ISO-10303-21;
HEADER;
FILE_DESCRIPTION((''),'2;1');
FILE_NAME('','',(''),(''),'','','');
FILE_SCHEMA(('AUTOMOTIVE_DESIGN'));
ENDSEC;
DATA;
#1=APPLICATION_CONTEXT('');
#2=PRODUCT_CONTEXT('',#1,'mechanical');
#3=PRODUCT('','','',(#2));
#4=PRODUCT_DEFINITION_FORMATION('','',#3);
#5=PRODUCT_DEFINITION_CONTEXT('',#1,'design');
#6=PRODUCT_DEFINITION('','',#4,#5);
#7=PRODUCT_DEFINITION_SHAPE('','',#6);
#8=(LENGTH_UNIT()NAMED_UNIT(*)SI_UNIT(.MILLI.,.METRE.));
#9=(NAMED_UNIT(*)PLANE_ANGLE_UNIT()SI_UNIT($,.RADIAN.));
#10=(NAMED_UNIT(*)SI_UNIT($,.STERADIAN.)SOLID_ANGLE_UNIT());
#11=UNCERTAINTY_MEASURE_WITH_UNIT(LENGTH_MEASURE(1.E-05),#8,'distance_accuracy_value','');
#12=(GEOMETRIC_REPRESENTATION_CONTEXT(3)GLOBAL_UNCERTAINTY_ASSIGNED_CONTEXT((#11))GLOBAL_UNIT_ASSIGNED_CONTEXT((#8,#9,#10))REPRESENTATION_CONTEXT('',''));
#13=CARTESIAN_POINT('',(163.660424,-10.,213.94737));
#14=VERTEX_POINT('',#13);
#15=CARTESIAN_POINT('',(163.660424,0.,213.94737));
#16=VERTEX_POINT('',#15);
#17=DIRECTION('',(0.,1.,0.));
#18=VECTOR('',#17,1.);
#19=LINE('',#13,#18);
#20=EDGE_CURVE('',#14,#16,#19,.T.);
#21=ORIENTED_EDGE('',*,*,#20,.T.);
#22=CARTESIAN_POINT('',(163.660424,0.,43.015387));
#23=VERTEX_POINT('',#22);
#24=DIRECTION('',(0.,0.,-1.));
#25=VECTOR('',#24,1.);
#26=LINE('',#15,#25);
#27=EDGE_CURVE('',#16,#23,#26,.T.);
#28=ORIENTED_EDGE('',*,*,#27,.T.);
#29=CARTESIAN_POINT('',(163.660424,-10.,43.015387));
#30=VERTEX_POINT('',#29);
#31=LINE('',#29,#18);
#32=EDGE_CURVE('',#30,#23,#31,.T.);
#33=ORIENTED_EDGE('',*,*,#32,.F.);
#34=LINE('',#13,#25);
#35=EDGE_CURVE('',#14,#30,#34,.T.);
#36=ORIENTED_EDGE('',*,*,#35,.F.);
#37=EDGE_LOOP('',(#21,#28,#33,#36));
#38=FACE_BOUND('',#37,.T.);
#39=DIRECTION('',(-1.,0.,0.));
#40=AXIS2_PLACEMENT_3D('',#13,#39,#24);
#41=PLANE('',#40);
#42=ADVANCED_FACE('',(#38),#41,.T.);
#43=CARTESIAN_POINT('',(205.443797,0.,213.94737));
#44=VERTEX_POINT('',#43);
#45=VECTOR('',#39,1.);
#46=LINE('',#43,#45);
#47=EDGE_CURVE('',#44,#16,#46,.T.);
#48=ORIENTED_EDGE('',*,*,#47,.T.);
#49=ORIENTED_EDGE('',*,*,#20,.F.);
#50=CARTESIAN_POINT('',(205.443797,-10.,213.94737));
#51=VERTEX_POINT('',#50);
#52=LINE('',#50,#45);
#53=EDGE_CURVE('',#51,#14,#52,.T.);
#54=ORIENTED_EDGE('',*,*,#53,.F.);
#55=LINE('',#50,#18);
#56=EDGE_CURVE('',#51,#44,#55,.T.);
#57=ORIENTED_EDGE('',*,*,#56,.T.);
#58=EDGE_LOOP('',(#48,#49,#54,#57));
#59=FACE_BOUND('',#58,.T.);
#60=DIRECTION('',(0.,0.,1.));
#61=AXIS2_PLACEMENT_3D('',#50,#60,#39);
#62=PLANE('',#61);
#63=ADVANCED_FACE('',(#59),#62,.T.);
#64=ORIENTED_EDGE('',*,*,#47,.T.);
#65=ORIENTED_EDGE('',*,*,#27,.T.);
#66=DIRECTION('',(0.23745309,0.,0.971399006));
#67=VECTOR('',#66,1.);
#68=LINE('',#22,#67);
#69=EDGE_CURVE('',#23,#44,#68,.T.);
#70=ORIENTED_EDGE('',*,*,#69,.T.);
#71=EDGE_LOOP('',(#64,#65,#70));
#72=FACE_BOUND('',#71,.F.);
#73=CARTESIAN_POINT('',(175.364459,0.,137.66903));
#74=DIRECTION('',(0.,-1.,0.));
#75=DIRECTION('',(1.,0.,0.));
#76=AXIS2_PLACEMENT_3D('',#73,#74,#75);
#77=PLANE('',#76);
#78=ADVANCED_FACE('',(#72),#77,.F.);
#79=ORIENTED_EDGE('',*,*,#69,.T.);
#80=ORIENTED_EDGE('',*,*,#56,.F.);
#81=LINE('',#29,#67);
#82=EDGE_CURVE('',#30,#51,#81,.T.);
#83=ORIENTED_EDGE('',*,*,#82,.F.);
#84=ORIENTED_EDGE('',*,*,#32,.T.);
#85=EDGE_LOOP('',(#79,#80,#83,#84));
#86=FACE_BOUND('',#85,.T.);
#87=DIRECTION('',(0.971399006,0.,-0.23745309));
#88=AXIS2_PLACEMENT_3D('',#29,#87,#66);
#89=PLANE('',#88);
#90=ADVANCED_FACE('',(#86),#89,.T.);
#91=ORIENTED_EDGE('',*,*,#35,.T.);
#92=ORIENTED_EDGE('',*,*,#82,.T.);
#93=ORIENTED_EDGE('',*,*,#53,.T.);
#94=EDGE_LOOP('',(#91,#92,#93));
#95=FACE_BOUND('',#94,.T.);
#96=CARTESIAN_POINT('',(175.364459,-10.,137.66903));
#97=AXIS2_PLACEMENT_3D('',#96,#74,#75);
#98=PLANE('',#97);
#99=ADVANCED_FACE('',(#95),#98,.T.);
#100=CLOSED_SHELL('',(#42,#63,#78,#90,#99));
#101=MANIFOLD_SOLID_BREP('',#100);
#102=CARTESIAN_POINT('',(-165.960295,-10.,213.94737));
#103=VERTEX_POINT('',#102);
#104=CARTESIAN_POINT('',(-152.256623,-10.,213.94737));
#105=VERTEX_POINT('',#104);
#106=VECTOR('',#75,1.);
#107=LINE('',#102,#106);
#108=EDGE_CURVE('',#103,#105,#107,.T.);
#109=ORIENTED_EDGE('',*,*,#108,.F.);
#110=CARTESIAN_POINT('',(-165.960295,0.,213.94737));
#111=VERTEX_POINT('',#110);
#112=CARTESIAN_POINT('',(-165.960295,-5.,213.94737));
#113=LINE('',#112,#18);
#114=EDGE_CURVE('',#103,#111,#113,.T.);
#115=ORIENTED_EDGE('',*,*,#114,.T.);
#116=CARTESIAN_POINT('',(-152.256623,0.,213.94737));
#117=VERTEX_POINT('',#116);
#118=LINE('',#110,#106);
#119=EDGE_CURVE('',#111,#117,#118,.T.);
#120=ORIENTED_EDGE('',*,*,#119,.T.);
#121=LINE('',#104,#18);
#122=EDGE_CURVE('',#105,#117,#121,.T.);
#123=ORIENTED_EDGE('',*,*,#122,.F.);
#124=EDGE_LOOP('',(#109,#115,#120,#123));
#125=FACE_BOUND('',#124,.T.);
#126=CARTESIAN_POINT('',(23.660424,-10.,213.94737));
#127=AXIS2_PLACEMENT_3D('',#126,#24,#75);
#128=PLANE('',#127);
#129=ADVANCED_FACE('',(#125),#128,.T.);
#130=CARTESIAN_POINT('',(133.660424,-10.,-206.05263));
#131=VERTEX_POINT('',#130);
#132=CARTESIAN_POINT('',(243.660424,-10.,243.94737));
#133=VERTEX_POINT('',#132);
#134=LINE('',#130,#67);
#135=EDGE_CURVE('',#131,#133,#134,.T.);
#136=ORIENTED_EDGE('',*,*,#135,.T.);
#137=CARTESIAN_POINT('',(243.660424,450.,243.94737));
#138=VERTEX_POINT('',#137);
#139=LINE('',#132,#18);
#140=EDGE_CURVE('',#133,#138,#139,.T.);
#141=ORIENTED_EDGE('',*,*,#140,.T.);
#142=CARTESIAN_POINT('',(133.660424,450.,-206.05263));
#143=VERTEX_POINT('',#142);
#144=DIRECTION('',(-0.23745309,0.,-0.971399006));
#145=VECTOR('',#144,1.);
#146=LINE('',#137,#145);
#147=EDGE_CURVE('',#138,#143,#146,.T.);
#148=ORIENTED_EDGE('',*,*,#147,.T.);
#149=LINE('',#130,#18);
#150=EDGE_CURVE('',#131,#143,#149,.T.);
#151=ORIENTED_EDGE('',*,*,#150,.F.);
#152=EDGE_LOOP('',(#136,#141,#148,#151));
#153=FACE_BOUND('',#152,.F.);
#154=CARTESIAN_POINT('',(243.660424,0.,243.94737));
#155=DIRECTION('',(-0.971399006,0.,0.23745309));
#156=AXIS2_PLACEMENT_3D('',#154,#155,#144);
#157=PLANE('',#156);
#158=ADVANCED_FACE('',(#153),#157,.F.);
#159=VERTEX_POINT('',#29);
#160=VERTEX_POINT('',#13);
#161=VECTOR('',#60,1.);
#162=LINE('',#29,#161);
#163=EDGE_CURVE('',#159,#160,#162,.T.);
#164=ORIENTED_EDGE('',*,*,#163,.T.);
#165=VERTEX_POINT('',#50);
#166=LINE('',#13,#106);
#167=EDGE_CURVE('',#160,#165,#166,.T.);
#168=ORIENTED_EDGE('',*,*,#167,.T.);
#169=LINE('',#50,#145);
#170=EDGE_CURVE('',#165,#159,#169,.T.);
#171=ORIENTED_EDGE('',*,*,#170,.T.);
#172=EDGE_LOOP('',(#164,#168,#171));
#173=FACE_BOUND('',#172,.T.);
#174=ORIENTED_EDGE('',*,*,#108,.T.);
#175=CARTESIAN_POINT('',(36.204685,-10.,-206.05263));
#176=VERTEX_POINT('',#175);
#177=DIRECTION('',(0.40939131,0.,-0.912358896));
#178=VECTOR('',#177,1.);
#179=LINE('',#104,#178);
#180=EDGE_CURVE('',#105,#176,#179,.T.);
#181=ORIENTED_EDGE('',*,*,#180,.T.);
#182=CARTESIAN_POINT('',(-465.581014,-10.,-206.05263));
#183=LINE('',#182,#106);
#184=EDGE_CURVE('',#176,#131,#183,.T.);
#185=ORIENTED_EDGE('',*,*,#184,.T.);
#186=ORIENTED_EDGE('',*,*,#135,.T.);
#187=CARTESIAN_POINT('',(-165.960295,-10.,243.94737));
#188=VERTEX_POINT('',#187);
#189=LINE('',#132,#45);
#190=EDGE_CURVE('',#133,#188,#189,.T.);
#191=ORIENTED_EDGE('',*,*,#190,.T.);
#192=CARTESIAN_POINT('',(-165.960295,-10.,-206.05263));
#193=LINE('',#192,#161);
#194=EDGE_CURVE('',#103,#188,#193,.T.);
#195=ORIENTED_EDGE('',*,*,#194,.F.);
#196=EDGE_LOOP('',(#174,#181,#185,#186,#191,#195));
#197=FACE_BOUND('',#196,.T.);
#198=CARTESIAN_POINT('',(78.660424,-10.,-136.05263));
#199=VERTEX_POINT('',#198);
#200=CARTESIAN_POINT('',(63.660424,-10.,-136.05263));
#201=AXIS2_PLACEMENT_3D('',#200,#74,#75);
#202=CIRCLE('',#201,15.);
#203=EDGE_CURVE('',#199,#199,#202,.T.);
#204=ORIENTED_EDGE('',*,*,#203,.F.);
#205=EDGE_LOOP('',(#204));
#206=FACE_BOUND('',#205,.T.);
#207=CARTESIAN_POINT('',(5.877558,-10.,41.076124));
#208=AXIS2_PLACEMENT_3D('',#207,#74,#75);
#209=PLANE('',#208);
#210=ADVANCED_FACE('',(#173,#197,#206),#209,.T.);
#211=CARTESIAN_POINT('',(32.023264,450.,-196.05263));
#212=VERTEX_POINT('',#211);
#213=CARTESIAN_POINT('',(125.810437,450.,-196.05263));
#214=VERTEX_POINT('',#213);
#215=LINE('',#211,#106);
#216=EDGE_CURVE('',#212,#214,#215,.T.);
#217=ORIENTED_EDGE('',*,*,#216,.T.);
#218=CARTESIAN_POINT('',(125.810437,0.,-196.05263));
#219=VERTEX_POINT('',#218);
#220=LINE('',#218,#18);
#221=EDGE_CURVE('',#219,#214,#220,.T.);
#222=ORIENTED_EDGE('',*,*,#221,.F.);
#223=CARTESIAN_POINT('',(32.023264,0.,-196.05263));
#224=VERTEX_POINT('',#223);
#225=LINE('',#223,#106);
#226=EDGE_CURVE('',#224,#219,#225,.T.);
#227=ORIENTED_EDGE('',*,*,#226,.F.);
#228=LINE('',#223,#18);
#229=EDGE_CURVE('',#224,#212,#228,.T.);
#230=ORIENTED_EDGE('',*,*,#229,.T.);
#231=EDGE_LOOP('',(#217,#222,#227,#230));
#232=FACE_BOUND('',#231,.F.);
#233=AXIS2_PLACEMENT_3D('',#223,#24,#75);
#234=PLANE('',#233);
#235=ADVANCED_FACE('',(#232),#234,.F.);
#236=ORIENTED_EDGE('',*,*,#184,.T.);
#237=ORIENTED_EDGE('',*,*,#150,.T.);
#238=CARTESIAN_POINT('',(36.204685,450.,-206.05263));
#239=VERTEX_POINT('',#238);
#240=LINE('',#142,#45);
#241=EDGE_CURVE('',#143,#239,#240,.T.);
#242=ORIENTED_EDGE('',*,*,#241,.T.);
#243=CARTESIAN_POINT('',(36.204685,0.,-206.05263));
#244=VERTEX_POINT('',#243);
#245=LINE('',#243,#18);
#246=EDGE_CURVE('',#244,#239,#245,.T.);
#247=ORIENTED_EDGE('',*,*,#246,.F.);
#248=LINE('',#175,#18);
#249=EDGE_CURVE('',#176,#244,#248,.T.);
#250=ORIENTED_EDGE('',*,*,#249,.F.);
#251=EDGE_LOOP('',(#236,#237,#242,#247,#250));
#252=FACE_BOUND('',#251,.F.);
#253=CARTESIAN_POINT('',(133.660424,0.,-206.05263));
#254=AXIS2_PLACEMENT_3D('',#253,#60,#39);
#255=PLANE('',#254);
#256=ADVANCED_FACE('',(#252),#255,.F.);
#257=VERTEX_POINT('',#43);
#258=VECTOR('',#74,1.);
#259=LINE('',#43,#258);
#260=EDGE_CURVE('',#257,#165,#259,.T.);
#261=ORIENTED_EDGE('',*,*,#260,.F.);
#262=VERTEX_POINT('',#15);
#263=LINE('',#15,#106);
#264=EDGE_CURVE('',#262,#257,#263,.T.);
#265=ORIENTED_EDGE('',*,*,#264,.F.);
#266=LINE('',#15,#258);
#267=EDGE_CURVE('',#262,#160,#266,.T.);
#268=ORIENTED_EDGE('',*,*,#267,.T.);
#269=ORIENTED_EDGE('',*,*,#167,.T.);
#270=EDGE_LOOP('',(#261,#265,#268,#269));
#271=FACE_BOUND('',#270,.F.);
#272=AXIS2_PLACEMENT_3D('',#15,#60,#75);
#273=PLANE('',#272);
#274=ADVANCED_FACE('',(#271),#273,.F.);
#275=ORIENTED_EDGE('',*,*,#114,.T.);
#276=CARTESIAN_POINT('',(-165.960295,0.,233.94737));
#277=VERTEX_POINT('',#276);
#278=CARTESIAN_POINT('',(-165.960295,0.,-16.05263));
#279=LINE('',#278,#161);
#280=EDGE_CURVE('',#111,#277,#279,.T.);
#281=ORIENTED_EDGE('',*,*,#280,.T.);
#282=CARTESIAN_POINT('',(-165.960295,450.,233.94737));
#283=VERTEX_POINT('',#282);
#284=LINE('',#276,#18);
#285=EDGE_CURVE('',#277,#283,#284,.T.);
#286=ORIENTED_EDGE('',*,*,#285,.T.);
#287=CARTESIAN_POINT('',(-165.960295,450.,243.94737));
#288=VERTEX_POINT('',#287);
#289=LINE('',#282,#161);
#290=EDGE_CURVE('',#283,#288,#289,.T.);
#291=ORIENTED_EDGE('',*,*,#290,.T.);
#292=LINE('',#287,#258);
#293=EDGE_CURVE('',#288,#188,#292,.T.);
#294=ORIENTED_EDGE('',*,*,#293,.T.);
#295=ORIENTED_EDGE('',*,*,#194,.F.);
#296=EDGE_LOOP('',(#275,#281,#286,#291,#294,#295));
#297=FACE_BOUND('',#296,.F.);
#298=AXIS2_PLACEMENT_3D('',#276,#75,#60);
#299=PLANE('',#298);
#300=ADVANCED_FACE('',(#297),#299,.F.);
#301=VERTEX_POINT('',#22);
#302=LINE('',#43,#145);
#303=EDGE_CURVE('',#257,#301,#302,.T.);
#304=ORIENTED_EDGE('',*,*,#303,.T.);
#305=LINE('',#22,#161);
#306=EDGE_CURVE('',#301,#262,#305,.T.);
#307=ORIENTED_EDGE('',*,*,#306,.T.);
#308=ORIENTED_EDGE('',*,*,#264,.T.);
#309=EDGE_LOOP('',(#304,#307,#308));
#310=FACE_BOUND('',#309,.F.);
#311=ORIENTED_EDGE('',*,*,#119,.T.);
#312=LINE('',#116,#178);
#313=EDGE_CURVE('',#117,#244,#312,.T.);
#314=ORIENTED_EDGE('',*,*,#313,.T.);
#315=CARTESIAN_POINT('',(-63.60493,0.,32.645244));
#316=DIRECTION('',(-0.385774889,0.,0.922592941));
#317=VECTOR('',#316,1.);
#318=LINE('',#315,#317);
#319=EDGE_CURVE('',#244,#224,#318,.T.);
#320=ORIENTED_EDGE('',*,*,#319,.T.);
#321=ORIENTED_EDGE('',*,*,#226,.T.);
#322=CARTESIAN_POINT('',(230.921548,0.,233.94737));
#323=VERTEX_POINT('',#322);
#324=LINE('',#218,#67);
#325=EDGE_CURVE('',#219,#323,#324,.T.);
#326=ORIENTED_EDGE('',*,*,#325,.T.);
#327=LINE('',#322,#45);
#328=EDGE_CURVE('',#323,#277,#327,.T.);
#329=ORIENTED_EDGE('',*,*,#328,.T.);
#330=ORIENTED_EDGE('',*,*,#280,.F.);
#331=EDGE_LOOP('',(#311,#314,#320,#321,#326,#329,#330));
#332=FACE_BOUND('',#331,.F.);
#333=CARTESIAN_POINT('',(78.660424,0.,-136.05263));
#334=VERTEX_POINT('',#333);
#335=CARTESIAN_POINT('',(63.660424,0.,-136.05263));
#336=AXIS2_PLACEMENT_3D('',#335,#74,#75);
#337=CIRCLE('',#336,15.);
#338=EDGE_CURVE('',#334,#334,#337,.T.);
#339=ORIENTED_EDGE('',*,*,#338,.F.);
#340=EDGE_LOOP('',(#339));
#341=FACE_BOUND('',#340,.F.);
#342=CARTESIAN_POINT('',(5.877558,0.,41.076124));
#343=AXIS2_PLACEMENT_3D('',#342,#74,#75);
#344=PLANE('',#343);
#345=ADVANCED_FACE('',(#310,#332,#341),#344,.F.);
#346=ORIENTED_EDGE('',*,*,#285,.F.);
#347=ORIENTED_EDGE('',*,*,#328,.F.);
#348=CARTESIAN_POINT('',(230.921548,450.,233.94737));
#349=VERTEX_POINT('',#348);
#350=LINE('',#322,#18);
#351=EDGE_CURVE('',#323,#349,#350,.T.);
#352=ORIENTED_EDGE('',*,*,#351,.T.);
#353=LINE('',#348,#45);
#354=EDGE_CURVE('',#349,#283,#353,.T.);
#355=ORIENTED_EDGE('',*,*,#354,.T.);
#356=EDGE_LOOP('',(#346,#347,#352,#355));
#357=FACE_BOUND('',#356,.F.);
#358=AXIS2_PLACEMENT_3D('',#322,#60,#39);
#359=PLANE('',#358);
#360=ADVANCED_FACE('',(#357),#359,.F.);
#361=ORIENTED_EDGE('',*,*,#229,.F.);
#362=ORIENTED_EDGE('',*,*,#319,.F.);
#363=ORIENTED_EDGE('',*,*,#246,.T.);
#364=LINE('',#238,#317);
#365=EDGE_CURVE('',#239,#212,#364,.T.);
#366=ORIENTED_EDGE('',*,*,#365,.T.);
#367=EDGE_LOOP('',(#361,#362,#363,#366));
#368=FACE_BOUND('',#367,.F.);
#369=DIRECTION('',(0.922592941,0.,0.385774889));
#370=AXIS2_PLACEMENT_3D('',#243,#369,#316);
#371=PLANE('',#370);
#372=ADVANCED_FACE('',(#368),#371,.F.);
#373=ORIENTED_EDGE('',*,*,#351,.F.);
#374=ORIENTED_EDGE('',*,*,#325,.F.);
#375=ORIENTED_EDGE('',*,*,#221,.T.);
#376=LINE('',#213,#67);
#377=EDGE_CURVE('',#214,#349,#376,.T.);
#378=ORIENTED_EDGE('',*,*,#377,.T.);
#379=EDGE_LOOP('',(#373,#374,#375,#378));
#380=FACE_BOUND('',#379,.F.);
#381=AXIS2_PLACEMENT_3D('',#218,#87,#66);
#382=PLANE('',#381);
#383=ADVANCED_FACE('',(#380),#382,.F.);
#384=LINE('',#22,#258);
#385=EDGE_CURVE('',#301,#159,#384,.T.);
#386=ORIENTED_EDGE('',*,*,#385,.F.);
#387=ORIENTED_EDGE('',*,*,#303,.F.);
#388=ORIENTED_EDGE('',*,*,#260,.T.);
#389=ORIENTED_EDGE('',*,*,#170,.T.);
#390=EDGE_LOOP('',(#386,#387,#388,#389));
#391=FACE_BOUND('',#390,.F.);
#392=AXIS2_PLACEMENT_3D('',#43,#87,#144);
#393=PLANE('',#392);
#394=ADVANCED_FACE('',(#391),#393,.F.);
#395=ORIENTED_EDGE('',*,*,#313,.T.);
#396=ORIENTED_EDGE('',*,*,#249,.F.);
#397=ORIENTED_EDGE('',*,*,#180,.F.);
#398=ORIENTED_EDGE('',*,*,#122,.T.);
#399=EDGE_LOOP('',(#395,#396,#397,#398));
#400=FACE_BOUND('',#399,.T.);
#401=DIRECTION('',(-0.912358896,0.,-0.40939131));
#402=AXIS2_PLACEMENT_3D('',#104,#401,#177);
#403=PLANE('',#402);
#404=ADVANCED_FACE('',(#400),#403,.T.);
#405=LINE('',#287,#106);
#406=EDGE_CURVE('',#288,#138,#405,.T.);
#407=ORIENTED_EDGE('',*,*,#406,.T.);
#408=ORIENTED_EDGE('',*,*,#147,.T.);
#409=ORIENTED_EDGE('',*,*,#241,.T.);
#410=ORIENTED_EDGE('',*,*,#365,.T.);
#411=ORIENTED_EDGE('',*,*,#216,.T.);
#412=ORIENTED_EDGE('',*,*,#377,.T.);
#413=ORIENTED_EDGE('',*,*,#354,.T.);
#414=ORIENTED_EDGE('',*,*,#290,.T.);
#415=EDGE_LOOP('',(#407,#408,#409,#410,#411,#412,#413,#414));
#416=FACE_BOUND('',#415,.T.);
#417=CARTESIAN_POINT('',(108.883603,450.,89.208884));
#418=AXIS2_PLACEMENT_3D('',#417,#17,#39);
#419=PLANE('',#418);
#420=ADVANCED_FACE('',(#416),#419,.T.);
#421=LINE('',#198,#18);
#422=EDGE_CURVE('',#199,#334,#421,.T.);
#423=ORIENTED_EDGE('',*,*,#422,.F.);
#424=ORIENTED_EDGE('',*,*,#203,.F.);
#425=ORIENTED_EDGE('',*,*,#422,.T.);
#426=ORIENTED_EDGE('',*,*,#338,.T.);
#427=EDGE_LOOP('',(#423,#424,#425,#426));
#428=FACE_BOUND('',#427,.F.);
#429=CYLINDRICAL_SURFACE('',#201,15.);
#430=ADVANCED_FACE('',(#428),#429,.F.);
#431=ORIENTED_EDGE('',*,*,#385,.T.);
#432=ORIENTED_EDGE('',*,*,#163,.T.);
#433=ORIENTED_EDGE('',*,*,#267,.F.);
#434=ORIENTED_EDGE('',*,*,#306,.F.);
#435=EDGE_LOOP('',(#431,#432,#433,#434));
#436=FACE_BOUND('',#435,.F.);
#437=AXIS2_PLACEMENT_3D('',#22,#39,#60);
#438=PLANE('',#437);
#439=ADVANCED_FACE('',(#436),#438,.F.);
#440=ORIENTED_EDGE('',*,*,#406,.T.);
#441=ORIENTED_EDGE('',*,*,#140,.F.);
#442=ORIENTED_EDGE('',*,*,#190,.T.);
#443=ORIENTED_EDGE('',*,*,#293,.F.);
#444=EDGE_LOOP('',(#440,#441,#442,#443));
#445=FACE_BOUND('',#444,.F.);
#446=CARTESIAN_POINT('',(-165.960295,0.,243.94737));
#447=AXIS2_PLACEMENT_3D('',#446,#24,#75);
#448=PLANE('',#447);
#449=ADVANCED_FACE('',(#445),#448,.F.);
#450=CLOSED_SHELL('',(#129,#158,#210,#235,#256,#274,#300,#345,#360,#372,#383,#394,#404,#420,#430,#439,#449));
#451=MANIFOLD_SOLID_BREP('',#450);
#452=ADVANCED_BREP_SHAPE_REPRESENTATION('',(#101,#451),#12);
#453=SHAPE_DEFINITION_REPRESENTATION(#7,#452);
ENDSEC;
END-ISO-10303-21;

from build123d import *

# Parameters (mm, degrees)
F0_W      = 540
F0_H      = 390
F1_DEPTH  = 10
F2_W      = 80
F2_H      = 80
F2_R      = 15
F3_DEPTH  = 10
F4_R      = 15
F5_DEPTH  = 25
F7_DEPTH  = 25
F8_W      = 80
F8_H      = 80
F8_R      = 15
F9_DEPTH  = 25
F11_DEPTH = 10
F13_DEPTH = 450
F15_DEPTH = 10


with BuildPart() as f1:
    # F0 (on Front) → F1 (new body)
    with BuildSketch(Plane.XZ):
        Polygon((-575.5810141563, 243.9473703504), (-465.5810141563, -206.0526296496), (133.660423523, -206.0526296496), (243.660423523, 243.9473703504), (133.660423523, 243.9473703504), (-465.5810141563, 243.9473703504), align=None)
        with Locations((-166.339576477, 18.9473703504)):
            Rectangle(F0_W, F0_H, mode=Mode.SUBTRACT)
        Polygon((-495.5810141563, 43.0153865893), (-537.3643879646, 213.9473703504), (-495.5810141563, 213.9473703504), align=None, mode=Mode.SUBTRACT)
        Polygon((163.660423523, 213.9473703504), (205.4437973313, 213.9473703504), (163.660423523, 43.0153865893), align=None, mode=Mode.SUBTRACT)
    extrude(amount=F1_DEPTH)

    # F2 (on face) → F3 (join)
    with BuildSketch(Plane.XZ.offset(10)):
        with Locations((-396.339576477, 173.9473703504)):
            Rectangle(F2_W, F2_H)
        with Locations((-396.339576477, 173.9473703504)):
            Circle(F2_R, mode=Mode.SUBTRACT)
        with Locations((63.660423523, 173.9473703504)):
            Rectangle(F2_W, F2_H)
        with Locations((63.660423523, 173.9473703504)):
            Circle(F2_R, mode=Mode.SUBTRACT)
        with Locations((63.660423523, -136.0526296496)):
            Rectangle(F2_W, F2_H)
        with Locations((63.660423523, -136.0526296496)):
            Circle(F2_R, mode=Mode.SUBTRACT)
        with Locations((-396.339576477, -136.0526296496)):
            Rectangle(F2_W, F2_H)
        with Locations((-396.339576477, -136.0526296496)):
            Circle(F2_R, mode=Mode.SUBTRACT)
    extrude(amount=-F3_DEPTH)

    # F4 (on face) → F5 (cut)
    with BuildSketch(Plane.XZ.offset(10)):
        Polygon((-669.6358919144, -206.0526296496), (-465.5810141563, -206.0526296496), (-575.5810141563, 243.9473703504), (-669.6358919144, 243.9473703504), align=None)
        Polygon((-465.5810141563, -206.0526296496), (-165.9602953167, -206.0526296496), (-165.9602953167, -176.0526296496), (-356.339576477, -176.0526296496), (-356.339576477, -96.0526296496), (-436.339576477, -96.0526296496), (-436.339576477, 133.9473703504), (-356.339576477, 133.9473703504), (-356.339576477, 213.9473703504), (-165.9602953167, 213.9473703504), (-165.9602953167, 243.9473703504), (-575.5810141563, 243.9473703504), align=None)
        with Locations((-396.339576477, -136.0526296496)):
            Circle(F4_R, mode=Mode.SUBTRACT)
        Polygon((-495.5810141563, 213.9473703504), (-495.5810141563, 43.0153865893), (-537.3643879646, 213.9473703504), align=None, mode=Mode.SUBTRACT)
        with Locations((-396.339576477, 173.9473703504)):
            Circle(F4_R, mode=Mode.SUBTRACT)
        Polygon((-356.339576477, -176.0526296496), (-165.9602953167, -176.0526296496), (-165.9602953167, 213.9473703504), (-356.339576477, 213.9473703504), (-356.339576477, 133.9473703504), (-436.339576477, 133.9473703504), (-436.339576477, -96.0526296496), (-356.339576477, -96.0526296496), align=None)
    extrude(amount=-F5_DEPTH, mode=Mode.SUBTRACT)

    # F6 (on face) → F7 (cut)
    with BuildSketch(Plane.XZ.offset(10)):
        Polygon((36.2046845257, -206.0526296496), (23.660423523, -176.0526296496), (-165.9602953167, -176.0526296496), (-165.9602953167, -206.0526296496), align=None)
    extrude(amount=-F7_DEPTH, mode=Mode.SUBTRACT)

    # F8 (on face) → F9 (cut)
    with BuildSketch(Plane.XZ.offset(10)):
        with Locations((63.660423523, 173.9473703504)):
            Rectangle(F8_W, F8_H)
        with Locations((63.660423523, 173.9473703504)):
            Circle(F8_R, mode=Mode.SUBTRACT)
    extrude(amount=-F9_DEPTH, mode=Mode.SUBTRACT)

    # F12 (on face) → F13 (join)
    with BuildSketch(Plane(origin=(0, 0, 0), x_dir=(-1, 0, 0), z_dir=(0, 1, 0))):
        Polygon((165.9602953167, 243.9473703504), (-243.660423523, 243.9473703504), (-133.660423523, -206.0526296496), (-36.2046845257, -206.0526296496), (-32.0232641915, -196.0526296496), (-36.2046845257, -196.0526296496), (-125.8104370147, -196.0526296496), (-230.9215481258, 233.9473703504), (165.9602953167, 233.9473703504), align=None)
    extrude(amount=F13_DEPTH)

    # F14 (on face) → F15 (join)
    with BuildSketch(Plane.XZ.offset(10)):
        Polygon((-152.2566229105, 213.9473703504), (36.2046845257, -206.0526296496), (23.660423523, -176.0526296496), (23.660423523, -96.0526296496), (103.660423523, -96.0526296496), (103.660423523, 213.9473703504), align=None)
    extrude(amount=-F15_DEPTH)


with BuildPart() as f11:
    # F10 (on face) → F11 (new body)
    with BuildSketch(Plane.XZ.offset(10)):
        Polygon((205.4437973313, 213.9473703504), (163.660423523, 213.9473703504), (163.660423523, 43.0153865893), align=None)
    extrude(amount=-F11_DEPTH)


solid = Compound([f1.part, f11.part])
